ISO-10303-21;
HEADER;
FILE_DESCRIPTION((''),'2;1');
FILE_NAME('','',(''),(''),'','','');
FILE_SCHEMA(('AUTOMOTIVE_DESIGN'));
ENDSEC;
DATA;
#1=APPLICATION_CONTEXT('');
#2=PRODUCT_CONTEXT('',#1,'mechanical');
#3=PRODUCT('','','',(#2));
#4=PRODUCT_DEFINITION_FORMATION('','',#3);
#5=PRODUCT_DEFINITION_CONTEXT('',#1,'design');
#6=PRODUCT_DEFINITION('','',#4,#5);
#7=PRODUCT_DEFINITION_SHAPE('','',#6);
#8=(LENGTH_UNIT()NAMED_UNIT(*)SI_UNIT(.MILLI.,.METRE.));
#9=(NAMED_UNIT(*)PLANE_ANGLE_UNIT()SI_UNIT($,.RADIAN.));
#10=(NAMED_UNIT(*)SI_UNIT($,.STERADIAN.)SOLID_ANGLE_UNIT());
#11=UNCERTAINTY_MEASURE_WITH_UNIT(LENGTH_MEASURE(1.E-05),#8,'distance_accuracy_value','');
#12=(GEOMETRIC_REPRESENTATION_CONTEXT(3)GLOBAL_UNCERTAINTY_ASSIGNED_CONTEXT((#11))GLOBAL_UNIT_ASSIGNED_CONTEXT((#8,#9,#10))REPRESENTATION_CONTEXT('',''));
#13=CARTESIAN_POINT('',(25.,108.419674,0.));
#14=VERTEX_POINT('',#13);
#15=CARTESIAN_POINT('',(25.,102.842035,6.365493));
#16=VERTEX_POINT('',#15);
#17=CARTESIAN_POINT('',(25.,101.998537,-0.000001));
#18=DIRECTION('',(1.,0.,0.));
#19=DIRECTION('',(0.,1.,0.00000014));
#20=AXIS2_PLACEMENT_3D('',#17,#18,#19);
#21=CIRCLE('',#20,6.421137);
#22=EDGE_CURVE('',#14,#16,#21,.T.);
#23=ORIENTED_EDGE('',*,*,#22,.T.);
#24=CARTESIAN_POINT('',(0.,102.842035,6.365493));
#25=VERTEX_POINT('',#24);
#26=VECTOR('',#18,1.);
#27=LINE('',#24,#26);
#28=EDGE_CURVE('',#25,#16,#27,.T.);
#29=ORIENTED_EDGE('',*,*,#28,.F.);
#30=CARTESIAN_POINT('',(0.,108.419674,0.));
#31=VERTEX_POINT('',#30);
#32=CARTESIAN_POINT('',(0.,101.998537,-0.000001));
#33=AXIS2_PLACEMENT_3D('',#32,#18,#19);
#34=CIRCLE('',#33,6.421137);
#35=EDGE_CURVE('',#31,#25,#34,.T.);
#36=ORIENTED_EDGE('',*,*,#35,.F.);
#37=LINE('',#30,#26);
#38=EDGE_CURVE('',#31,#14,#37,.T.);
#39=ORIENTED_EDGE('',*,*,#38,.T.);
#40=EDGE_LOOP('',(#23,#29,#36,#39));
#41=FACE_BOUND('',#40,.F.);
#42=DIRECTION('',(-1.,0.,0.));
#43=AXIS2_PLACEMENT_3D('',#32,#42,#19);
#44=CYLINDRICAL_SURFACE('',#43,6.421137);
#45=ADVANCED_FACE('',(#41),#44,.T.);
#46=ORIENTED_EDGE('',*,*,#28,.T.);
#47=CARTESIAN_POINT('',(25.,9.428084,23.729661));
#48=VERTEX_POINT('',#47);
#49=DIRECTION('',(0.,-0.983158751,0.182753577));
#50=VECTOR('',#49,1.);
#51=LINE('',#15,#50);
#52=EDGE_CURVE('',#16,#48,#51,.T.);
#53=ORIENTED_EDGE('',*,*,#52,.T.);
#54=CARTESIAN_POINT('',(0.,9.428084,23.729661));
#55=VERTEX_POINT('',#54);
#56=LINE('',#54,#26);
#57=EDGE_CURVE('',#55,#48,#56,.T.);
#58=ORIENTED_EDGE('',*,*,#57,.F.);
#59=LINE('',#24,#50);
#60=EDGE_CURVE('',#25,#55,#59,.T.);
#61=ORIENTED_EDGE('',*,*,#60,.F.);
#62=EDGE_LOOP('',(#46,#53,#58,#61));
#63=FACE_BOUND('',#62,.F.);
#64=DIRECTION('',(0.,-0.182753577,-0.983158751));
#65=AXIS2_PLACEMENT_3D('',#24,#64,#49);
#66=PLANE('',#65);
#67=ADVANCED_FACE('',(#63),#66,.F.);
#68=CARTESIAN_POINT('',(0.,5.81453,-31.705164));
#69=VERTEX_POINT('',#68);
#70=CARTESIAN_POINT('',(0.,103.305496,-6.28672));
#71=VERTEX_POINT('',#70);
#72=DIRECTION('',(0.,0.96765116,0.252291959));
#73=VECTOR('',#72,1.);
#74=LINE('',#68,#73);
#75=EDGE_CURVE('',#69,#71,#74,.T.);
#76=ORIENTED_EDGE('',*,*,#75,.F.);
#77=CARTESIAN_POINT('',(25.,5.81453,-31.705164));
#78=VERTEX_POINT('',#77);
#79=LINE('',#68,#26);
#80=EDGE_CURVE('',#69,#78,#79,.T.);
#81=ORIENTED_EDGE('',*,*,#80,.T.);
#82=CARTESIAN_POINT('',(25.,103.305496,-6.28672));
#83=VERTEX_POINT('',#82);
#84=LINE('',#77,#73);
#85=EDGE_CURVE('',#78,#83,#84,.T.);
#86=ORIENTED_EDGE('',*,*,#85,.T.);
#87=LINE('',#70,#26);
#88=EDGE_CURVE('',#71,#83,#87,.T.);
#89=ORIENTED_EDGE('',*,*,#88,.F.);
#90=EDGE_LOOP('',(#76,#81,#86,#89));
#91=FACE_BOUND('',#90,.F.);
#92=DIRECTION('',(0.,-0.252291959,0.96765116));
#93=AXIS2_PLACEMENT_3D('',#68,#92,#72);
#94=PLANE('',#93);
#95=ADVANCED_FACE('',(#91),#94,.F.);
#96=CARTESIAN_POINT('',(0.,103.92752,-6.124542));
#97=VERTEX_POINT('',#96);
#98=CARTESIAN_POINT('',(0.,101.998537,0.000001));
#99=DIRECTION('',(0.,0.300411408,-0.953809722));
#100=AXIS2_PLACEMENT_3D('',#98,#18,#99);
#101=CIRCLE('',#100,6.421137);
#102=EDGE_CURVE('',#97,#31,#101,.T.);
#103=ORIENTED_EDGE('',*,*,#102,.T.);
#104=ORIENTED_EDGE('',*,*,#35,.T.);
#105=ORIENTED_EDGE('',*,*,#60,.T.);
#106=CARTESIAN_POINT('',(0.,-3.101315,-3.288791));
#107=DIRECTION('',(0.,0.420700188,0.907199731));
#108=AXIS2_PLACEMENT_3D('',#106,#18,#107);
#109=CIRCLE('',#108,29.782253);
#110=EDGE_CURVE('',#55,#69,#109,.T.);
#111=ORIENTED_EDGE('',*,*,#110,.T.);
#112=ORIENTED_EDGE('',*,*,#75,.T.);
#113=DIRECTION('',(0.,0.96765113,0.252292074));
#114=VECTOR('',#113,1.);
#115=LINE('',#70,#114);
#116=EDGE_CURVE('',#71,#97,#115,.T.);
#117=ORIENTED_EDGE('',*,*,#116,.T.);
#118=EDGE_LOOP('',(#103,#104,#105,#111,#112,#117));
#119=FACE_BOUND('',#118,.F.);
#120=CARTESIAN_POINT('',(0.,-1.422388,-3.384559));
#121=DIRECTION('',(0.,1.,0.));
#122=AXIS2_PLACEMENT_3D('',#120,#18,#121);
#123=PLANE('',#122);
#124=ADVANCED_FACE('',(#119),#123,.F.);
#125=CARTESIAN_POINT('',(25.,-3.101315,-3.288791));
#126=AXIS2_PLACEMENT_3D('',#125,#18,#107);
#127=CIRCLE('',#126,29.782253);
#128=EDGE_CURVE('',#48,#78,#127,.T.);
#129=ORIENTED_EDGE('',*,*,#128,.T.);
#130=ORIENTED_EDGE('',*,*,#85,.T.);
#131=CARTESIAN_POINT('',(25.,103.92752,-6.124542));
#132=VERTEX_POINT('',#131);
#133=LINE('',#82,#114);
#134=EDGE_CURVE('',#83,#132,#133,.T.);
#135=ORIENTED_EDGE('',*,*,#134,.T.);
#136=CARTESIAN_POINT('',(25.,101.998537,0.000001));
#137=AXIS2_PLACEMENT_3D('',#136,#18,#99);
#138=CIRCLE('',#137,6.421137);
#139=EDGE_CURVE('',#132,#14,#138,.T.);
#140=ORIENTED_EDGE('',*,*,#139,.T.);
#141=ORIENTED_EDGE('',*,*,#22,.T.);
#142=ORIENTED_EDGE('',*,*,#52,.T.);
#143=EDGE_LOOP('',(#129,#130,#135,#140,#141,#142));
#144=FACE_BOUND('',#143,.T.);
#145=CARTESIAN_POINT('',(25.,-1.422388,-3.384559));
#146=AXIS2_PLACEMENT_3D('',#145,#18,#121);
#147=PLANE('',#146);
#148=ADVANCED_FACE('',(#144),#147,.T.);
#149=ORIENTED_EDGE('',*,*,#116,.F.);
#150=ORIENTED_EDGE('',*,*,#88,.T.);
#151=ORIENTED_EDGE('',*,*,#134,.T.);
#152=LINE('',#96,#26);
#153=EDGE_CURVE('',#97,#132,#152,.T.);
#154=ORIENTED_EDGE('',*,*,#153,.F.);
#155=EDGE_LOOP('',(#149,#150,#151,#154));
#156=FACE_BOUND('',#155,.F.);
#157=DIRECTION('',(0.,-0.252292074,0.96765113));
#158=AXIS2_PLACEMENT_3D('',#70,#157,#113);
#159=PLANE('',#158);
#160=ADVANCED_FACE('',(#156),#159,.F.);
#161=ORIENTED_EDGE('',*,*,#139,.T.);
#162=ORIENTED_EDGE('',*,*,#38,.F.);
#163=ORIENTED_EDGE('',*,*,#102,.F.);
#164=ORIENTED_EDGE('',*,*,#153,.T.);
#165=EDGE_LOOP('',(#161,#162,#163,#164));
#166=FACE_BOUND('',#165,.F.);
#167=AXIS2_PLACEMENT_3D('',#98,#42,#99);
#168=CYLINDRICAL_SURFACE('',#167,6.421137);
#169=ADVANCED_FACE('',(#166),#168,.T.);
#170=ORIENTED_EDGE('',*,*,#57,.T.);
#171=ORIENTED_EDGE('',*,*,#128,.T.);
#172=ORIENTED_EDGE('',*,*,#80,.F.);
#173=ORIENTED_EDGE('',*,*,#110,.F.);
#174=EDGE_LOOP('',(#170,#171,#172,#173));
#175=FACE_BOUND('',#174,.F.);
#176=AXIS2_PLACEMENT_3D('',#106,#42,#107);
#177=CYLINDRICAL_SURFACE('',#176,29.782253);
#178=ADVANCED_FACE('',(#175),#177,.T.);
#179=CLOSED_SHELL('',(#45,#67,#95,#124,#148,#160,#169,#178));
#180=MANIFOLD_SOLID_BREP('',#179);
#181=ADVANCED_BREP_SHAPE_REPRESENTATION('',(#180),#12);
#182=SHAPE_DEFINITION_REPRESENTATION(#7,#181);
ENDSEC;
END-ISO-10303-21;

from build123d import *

# Parameters (mm, degrees)
F1_DEPTH = 25


with BuildPart() as f1:
    # F0 (on Right) → F1 (new body)
    with BuildSketch(Plane.YZ):
        with BuildLine():
            ThreePointArc((5.81453, -31.705164), (20.904065, -20.916165), (26.680938, -3.288791))
            ThreePointArc((26.680938, -3.288791), (21.999843, 12.73976), (9.428084, 23.729661))
            ThreePointArc((9.428084, 23.729661), (-32.820494, -1.351527), (5.81453, -31.705164))
        make_face()
        with BuildLine():
            ThreePointArc((9.428084, 23.729661), (21.999843, 12.73976), (26.680938, -3.288791))
            ThreePointArc((26.680938, -3.288791), (20.904065, -20.916165), (5.81453, -31.705164))
            Line((5.81453, -31.705164), (103.305496, -6.28672))
            ThreePointArc((103.305496, -6.28672), (95.581705, -0.235054), (102.842035, 6.365493))
            Line((102.842035, 6.365493), (9.428084, 23.729661))
        make_face()
        with BuildLine():
            ThreePointArc((108.419674, 0), (106.827989, 4.231712), (102.842035, 6.365493))
            ThreePointArc((102.842035, 6.365493), (95.581705, -0.235054), (103.305496, -6.28672))
            Line((103.305496, -6.28672), (103.92752, -6.124542))
            ThreePointArc((103.92752, -6.124542), (107.176242, -3.797679), (108.419674, 0))
        make_face()
    extrude(amount=F1_DEPTH)


solid = f1.part
